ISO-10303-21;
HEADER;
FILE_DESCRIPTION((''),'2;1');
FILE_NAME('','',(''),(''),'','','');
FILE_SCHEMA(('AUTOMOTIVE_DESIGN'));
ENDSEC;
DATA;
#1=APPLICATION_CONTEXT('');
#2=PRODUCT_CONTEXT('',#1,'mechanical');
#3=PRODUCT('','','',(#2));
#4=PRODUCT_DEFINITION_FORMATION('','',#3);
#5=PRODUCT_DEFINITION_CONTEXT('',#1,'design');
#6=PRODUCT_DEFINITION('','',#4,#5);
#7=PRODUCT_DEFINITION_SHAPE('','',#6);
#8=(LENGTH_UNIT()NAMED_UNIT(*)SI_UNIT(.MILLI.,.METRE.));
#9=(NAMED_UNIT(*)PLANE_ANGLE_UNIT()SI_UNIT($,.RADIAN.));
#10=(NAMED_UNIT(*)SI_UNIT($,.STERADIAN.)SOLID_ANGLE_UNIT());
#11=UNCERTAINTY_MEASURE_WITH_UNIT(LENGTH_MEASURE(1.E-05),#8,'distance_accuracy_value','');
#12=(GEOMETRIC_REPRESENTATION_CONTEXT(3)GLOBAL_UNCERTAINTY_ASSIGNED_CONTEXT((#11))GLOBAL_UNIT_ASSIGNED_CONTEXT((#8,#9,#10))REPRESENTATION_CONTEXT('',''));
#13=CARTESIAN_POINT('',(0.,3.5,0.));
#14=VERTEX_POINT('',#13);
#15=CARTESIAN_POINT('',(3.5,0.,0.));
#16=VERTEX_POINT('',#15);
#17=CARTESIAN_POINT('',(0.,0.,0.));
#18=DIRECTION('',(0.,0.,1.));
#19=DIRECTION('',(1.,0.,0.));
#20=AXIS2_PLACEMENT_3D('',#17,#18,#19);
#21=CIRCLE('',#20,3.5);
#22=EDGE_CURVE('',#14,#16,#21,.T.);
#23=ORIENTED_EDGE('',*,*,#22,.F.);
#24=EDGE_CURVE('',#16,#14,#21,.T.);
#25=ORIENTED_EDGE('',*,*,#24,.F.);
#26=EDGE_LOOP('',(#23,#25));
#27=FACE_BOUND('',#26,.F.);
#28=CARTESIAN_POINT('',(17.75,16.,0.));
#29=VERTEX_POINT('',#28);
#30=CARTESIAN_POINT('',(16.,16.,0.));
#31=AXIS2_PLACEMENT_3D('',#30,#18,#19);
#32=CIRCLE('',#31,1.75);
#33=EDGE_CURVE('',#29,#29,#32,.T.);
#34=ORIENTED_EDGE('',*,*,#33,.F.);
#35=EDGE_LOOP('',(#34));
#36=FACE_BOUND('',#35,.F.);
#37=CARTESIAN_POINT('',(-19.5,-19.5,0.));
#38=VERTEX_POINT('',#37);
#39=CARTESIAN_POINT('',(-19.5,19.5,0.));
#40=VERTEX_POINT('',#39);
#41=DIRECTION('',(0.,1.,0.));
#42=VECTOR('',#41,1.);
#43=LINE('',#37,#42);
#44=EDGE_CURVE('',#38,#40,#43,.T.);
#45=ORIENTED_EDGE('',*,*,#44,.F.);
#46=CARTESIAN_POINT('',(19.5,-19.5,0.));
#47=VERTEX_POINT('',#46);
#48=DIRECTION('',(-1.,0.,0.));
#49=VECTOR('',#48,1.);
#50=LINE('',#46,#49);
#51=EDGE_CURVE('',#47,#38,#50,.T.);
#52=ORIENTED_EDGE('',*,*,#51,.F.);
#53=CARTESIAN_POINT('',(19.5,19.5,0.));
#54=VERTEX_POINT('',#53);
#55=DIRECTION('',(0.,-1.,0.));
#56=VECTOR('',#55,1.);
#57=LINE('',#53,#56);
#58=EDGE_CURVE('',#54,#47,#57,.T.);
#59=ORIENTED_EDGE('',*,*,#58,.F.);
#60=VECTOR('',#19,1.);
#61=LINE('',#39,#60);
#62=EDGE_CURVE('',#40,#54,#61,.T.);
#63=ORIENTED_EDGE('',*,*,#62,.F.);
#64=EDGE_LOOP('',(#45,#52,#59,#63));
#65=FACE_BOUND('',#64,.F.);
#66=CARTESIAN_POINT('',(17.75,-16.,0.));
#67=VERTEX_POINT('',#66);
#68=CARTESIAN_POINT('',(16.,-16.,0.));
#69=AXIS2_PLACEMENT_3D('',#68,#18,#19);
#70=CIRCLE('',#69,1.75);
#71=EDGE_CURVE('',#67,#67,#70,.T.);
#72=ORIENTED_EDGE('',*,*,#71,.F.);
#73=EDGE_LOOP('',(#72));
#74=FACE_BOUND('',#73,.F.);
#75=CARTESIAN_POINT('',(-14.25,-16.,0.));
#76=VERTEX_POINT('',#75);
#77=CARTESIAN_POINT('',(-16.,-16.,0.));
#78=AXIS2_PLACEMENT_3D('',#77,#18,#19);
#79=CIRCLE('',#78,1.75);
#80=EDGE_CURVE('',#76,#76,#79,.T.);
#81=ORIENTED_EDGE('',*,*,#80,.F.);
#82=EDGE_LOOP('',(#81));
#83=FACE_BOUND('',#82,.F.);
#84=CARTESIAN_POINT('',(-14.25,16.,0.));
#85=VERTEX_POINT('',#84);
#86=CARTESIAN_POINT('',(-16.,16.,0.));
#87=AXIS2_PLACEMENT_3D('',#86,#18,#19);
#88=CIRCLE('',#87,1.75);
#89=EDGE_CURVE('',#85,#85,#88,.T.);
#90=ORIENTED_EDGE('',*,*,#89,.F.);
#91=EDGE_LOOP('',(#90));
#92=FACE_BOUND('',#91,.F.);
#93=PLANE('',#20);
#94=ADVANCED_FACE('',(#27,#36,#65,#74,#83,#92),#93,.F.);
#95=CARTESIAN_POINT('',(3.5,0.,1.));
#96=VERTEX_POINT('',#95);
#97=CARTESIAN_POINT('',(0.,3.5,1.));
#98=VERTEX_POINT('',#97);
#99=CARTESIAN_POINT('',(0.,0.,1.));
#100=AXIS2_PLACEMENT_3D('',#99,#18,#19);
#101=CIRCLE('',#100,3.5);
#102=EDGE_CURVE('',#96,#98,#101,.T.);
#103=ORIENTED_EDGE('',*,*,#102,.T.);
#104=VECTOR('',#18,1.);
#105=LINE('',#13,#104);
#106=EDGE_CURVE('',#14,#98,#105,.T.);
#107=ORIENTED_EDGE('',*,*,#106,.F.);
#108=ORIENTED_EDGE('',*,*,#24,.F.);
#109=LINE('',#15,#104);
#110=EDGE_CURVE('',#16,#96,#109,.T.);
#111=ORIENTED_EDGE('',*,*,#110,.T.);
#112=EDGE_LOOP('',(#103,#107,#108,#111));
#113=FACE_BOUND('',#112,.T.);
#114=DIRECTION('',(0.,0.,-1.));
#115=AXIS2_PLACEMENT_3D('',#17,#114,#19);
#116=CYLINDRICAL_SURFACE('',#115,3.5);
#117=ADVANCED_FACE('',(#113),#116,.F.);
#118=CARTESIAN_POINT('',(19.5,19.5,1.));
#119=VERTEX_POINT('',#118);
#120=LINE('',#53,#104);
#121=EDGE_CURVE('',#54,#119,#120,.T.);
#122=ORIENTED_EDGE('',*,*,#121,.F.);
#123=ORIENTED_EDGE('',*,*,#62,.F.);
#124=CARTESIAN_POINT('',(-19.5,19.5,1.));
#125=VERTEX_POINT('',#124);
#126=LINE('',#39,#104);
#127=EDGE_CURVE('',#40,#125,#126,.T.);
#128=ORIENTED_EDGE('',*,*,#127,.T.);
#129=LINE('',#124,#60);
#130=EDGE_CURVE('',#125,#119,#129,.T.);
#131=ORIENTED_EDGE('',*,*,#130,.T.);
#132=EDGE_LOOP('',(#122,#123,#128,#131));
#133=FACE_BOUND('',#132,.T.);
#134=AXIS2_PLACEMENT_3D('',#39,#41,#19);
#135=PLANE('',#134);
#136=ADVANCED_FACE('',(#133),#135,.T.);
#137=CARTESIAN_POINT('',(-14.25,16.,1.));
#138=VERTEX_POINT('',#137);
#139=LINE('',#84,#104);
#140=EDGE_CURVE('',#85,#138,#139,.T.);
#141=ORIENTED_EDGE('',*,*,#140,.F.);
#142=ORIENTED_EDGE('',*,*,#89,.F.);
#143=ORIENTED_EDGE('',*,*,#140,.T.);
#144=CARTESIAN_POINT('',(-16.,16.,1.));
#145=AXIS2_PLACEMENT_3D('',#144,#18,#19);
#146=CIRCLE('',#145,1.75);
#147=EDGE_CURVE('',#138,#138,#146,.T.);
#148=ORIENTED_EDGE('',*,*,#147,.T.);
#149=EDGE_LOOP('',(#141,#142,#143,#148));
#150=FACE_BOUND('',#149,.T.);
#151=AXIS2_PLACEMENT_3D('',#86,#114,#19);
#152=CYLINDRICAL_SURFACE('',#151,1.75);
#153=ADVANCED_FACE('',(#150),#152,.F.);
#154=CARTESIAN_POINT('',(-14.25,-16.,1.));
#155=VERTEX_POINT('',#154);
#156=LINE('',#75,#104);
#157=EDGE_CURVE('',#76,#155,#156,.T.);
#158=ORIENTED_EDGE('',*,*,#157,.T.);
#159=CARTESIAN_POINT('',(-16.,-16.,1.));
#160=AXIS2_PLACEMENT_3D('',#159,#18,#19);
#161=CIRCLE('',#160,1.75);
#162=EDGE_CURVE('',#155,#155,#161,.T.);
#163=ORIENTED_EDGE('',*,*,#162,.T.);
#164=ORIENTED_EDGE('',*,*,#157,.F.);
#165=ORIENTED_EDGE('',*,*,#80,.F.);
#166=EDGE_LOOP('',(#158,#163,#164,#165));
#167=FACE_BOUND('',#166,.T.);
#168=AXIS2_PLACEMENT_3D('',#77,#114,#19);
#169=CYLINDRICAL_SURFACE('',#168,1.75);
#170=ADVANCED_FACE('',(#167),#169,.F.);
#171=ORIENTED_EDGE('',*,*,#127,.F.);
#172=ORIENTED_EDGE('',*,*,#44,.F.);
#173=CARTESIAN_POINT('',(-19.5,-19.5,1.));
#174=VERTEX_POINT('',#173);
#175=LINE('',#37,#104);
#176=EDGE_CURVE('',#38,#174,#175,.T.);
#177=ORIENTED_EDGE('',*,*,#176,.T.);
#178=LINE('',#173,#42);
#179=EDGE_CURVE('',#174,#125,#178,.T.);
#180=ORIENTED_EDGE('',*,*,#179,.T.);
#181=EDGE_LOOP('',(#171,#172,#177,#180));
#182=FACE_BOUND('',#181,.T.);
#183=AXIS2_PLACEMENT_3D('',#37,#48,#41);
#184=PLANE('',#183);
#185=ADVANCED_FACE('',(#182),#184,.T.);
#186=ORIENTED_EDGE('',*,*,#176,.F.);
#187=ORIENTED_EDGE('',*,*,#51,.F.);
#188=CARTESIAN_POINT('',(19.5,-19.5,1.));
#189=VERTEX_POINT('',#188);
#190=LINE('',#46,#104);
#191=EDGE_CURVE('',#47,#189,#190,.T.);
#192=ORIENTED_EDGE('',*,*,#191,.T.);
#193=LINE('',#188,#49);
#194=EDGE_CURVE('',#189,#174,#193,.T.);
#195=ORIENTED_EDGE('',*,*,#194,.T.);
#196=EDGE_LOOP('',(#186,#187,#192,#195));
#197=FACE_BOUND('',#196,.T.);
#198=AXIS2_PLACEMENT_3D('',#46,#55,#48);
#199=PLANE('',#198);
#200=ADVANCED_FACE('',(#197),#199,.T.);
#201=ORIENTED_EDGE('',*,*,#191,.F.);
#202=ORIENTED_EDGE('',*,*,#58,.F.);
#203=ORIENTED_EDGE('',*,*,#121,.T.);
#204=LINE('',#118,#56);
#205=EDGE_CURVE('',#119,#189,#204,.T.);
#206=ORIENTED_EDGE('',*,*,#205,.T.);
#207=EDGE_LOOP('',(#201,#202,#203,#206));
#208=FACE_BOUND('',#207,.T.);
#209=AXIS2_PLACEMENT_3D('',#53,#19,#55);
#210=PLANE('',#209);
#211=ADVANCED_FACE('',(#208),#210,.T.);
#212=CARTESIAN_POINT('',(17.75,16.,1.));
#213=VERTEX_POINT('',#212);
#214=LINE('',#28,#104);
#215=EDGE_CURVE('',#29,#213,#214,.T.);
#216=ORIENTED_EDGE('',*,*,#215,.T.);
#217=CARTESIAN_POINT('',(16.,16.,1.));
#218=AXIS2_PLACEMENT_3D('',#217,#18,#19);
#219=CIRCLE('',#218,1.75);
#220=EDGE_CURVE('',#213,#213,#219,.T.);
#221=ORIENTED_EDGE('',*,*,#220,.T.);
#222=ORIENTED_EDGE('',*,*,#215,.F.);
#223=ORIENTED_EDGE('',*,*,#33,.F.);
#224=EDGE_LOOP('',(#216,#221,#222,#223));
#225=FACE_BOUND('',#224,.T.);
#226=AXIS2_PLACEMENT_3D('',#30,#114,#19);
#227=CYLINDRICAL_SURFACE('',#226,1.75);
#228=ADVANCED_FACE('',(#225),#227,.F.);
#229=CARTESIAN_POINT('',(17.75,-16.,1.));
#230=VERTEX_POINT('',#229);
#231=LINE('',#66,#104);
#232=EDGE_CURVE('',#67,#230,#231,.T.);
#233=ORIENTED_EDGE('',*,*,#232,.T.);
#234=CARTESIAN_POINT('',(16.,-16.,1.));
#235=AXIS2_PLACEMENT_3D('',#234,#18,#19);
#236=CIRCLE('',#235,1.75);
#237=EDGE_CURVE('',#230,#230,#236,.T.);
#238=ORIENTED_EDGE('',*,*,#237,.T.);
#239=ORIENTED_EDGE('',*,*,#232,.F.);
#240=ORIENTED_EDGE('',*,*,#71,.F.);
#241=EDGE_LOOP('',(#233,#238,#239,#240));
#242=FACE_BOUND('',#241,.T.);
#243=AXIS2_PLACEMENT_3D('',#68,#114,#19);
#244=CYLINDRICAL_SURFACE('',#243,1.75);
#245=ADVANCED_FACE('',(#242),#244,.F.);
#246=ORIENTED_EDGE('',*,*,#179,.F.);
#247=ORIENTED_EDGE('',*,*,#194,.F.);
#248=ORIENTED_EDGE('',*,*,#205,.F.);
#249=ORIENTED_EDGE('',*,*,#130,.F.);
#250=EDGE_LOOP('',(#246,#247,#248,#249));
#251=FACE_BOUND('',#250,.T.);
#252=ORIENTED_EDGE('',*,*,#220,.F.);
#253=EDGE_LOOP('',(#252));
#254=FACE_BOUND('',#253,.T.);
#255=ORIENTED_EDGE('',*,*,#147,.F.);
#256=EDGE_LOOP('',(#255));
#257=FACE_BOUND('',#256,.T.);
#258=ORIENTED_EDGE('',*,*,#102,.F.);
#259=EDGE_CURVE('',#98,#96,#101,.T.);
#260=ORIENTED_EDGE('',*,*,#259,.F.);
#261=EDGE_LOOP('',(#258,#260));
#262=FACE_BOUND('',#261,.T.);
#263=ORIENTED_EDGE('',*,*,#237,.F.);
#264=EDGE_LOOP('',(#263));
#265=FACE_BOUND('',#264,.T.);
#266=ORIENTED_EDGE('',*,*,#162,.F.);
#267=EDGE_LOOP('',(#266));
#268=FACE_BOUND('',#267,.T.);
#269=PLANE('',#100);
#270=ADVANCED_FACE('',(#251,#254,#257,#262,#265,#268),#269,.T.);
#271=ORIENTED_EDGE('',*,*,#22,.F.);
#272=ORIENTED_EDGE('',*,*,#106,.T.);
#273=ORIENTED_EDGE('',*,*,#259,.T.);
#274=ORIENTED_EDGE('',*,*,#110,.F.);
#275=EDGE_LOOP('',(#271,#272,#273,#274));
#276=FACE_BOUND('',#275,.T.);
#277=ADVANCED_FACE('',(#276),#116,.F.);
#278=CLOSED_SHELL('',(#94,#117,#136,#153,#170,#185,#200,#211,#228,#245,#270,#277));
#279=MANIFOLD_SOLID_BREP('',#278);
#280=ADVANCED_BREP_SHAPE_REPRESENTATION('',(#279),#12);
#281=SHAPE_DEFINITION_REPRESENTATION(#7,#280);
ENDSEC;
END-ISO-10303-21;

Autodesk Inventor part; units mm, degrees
ref_plane "YZ Plane" through (0, 0, 0) normal (1, 0, 0) x (0, 1, 0)
ref_plane "XZ Plane" through (0, 0, 0) normal (0, 1, 0) x (-1, 0, 0)
ref_plane "XY Plane" through (0, 0, 0) normal (0, 0, 1) x (1, 0, 0)
sketch "Sketch1" plane through (0, 0, 0) normal (0, 0, 1) x (1, 0, 0)
  line L0 (-19.5, 19.5) -> (19.5, 19.5)
  line L1 (19.5, 19.5) -> (19.5, -19.5)
  line L2 (19.5, -19.5) -> (-19.5, -19.5)
  line L3 (-19.5, -19.5) -> (-19.5, 19.5)
  line L4 (-19.5, 19.5) -> (19.5, -19.5) construction
  line L5 (19.5, 19.5) -> (-19.5, -19.5) construction
  circle A0 centre (-16, 16) radius 1.75
  line L6 (0, 0) -> (0, 12.7149)
  line L7 (0, 0) -> (7.8858, 0)
  circle A1 centre (16, 16) radius 1.75
  circle A2 centre (-16, -16) radius 1.75
  circle A3 centre (16, -16) radius 1.75
  circle A4 centre (0, 0) radius 3.5
  dimension "d0" = 39
  dimension "d1" = 39
  dimension "d2" = 3.5
  dimension "d3" = 32
  dimension "d4" = 32
  dimension "d6" = 7
extrude "Plate1" add sketch "Sketch1" along normal blind 1
equation "\"d0\" = d1"
equation "\"d4\" = d3"
equation "\"d5\" = 厚度"
equation "\"折彎半徑\" = 厚度"
equation "\"折彎離隙寬度\" = 厚度"
equation "\"折彎離隙深度\" = 0.5 * 厚度"
equation "\"轉角離隙大小\" = 4 * 厚度"
equation "\"最小剩餘\" = 2 * 厚度"
equation "\"轉移半徑\" = 折彎半徑"
equation "\"Jacobi半徑大小\" = 折彎半徑"
equation "\"間隙大小\" = 厚度"
equation "\"厚度\" = 1"
properties part number "coolingtube_plate"
